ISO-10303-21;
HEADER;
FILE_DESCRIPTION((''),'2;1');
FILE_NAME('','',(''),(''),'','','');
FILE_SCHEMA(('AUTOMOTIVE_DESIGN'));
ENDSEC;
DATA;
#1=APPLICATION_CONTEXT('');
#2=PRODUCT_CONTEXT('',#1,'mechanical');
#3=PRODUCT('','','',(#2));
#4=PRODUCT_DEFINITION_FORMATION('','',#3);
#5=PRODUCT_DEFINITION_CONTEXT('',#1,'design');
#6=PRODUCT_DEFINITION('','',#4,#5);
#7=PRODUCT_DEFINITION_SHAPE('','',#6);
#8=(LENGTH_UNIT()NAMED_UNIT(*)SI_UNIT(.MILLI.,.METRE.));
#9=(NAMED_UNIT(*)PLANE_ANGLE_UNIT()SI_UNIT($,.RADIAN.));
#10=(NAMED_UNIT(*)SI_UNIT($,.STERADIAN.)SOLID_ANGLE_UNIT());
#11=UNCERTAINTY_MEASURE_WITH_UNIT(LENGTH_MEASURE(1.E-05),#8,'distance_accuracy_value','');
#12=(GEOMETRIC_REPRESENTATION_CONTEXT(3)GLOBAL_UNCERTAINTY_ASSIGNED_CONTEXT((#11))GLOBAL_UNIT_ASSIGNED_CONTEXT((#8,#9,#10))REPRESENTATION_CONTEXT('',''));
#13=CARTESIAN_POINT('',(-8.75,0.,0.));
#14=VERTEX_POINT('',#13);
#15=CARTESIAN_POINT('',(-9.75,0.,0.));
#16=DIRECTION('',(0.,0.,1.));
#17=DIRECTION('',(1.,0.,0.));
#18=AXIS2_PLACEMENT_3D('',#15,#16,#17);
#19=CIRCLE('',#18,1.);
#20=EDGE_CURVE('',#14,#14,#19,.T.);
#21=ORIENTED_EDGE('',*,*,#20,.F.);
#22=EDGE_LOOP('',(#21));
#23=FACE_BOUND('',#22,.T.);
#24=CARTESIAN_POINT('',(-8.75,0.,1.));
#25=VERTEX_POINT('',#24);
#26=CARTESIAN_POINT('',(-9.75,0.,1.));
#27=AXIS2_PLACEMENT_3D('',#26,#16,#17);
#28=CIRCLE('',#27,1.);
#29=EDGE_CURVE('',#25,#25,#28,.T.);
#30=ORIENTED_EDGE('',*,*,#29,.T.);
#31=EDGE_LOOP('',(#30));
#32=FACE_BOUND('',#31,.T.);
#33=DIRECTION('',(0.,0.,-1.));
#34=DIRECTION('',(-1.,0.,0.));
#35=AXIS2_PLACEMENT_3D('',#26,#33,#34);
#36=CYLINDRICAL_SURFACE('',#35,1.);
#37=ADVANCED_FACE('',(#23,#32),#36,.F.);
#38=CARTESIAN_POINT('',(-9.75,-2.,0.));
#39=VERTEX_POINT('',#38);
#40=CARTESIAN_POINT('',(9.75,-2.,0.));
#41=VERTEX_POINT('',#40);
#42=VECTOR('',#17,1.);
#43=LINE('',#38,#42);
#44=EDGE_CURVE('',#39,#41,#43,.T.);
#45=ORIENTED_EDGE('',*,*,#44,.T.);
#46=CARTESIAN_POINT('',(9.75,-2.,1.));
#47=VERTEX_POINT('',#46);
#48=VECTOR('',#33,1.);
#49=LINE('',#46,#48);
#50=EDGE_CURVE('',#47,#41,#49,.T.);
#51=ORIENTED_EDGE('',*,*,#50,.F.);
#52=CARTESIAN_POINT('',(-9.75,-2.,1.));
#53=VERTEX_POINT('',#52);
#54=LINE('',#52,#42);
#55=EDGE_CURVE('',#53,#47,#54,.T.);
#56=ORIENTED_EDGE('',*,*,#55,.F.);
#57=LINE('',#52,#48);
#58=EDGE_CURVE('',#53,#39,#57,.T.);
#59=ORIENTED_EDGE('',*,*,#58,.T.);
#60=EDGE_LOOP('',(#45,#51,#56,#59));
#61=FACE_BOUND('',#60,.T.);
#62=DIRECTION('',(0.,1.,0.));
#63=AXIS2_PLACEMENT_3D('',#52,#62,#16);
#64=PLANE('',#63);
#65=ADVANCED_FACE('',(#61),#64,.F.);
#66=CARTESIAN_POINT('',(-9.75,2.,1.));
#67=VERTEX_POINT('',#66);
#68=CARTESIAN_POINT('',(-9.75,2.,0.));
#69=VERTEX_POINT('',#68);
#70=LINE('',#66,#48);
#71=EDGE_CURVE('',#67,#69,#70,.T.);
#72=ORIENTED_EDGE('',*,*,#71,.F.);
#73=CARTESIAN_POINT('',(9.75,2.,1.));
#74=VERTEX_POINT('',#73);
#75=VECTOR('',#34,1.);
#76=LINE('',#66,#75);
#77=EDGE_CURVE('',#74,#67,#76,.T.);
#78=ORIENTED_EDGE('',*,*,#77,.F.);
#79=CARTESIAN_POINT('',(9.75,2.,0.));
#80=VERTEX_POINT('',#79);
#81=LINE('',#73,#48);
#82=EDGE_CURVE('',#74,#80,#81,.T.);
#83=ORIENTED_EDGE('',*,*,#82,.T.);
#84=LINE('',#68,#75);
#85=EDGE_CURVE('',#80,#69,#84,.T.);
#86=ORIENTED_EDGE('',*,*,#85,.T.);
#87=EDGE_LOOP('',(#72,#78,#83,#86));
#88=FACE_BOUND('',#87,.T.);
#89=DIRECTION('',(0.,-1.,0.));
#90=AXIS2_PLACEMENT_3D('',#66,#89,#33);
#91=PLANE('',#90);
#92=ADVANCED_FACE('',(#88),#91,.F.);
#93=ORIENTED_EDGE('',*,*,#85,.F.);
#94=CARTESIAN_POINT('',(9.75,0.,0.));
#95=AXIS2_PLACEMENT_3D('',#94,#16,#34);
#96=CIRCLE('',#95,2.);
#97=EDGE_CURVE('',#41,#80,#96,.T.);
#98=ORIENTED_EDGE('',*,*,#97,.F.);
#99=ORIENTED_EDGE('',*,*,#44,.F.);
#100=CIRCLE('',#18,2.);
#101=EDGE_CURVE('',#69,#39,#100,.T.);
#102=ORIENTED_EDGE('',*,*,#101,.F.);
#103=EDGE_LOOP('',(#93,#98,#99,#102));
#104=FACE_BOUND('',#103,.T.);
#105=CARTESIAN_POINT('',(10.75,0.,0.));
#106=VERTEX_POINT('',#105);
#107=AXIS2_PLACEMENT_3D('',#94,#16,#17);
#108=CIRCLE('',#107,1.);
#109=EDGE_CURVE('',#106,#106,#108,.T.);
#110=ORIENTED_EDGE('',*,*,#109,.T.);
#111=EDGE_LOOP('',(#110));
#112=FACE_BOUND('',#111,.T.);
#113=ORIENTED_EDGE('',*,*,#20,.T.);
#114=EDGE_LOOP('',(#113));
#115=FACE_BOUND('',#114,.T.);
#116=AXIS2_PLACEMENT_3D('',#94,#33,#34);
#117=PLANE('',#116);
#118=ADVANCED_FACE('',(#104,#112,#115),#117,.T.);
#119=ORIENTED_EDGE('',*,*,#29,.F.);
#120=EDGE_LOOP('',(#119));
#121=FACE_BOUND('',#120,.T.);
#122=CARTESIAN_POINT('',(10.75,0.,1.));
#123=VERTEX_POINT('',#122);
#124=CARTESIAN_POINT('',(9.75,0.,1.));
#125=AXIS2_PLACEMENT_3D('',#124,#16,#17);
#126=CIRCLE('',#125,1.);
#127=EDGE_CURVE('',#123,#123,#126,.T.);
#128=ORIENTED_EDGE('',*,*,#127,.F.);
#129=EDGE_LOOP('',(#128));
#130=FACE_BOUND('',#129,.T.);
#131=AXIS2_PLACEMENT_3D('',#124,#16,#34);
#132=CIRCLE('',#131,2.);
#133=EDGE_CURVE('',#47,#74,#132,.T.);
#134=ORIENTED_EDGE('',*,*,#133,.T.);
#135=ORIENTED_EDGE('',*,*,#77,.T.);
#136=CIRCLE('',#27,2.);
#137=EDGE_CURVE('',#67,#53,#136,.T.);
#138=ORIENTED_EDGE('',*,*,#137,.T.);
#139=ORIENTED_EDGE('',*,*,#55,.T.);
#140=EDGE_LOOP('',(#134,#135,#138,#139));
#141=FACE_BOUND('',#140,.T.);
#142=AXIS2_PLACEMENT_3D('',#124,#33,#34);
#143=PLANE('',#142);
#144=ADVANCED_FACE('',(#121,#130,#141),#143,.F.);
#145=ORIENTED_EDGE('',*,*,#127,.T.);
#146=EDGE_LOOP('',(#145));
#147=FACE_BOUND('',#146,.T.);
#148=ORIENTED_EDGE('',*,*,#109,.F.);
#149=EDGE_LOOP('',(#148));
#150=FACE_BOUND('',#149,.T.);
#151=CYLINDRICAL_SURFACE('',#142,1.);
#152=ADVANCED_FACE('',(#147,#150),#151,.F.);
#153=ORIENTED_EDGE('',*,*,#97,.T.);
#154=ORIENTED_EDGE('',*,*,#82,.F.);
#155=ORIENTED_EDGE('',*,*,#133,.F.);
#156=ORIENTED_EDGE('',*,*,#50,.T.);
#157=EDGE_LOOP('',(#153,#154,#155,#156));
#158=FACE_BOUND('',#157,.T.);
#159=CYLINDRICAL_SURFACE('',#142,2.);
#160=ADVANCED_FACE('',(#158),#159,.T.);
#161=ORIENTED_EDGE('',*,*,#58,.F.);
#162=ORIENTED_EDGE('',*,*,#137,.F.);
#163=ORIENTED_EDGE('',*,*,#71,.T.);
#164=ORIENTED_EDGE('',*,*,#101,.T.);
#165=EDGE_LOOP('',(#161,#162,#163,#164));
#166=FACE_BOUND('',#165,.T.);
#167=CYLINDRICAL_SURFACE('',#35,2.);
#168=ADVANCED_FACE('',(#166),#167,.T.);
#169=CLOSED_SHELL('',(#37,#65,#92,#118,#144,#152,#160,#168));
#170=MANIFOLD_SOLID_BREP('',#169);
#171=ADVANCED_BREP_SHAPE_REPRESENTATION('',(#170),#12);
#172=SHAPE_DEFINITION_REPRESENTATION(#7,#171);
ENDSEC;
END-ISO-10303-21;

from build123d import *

# Parameters (mm, degrees)
ESBO_O1_R                = 1
RESSALTO_EXTRUS_O1_DEPTH = 1


with BuildPart() as part:
    # Esboço1 → Ressalto-extrusão1 (new body)
    with BuildSketch(Plane.XY):
        with BuildLine():
            Line((-9.75, 2), (9.75, 2))
            ThreePointArc((9.75, 2), (11.75, 0), (9.75, -2))
            Line((9.75, -2), (-9.75, -2))
            ThreePointArc((-9.75, -2), (-11.75, 0), (-9.75, 2))
        make_face()
        with Locations((-9.75, 0)):
            Circle(ESBO_O1_R, mode=Mode.SUBTRACT)
        with Locations((9.75, 0)):
            Circle(ESBO_O1_R, mode=Mode.SUBTRACT)
    extrude(amount=RESSALTO_EXTRUS_O1_DEPTH)


solid = part.part
